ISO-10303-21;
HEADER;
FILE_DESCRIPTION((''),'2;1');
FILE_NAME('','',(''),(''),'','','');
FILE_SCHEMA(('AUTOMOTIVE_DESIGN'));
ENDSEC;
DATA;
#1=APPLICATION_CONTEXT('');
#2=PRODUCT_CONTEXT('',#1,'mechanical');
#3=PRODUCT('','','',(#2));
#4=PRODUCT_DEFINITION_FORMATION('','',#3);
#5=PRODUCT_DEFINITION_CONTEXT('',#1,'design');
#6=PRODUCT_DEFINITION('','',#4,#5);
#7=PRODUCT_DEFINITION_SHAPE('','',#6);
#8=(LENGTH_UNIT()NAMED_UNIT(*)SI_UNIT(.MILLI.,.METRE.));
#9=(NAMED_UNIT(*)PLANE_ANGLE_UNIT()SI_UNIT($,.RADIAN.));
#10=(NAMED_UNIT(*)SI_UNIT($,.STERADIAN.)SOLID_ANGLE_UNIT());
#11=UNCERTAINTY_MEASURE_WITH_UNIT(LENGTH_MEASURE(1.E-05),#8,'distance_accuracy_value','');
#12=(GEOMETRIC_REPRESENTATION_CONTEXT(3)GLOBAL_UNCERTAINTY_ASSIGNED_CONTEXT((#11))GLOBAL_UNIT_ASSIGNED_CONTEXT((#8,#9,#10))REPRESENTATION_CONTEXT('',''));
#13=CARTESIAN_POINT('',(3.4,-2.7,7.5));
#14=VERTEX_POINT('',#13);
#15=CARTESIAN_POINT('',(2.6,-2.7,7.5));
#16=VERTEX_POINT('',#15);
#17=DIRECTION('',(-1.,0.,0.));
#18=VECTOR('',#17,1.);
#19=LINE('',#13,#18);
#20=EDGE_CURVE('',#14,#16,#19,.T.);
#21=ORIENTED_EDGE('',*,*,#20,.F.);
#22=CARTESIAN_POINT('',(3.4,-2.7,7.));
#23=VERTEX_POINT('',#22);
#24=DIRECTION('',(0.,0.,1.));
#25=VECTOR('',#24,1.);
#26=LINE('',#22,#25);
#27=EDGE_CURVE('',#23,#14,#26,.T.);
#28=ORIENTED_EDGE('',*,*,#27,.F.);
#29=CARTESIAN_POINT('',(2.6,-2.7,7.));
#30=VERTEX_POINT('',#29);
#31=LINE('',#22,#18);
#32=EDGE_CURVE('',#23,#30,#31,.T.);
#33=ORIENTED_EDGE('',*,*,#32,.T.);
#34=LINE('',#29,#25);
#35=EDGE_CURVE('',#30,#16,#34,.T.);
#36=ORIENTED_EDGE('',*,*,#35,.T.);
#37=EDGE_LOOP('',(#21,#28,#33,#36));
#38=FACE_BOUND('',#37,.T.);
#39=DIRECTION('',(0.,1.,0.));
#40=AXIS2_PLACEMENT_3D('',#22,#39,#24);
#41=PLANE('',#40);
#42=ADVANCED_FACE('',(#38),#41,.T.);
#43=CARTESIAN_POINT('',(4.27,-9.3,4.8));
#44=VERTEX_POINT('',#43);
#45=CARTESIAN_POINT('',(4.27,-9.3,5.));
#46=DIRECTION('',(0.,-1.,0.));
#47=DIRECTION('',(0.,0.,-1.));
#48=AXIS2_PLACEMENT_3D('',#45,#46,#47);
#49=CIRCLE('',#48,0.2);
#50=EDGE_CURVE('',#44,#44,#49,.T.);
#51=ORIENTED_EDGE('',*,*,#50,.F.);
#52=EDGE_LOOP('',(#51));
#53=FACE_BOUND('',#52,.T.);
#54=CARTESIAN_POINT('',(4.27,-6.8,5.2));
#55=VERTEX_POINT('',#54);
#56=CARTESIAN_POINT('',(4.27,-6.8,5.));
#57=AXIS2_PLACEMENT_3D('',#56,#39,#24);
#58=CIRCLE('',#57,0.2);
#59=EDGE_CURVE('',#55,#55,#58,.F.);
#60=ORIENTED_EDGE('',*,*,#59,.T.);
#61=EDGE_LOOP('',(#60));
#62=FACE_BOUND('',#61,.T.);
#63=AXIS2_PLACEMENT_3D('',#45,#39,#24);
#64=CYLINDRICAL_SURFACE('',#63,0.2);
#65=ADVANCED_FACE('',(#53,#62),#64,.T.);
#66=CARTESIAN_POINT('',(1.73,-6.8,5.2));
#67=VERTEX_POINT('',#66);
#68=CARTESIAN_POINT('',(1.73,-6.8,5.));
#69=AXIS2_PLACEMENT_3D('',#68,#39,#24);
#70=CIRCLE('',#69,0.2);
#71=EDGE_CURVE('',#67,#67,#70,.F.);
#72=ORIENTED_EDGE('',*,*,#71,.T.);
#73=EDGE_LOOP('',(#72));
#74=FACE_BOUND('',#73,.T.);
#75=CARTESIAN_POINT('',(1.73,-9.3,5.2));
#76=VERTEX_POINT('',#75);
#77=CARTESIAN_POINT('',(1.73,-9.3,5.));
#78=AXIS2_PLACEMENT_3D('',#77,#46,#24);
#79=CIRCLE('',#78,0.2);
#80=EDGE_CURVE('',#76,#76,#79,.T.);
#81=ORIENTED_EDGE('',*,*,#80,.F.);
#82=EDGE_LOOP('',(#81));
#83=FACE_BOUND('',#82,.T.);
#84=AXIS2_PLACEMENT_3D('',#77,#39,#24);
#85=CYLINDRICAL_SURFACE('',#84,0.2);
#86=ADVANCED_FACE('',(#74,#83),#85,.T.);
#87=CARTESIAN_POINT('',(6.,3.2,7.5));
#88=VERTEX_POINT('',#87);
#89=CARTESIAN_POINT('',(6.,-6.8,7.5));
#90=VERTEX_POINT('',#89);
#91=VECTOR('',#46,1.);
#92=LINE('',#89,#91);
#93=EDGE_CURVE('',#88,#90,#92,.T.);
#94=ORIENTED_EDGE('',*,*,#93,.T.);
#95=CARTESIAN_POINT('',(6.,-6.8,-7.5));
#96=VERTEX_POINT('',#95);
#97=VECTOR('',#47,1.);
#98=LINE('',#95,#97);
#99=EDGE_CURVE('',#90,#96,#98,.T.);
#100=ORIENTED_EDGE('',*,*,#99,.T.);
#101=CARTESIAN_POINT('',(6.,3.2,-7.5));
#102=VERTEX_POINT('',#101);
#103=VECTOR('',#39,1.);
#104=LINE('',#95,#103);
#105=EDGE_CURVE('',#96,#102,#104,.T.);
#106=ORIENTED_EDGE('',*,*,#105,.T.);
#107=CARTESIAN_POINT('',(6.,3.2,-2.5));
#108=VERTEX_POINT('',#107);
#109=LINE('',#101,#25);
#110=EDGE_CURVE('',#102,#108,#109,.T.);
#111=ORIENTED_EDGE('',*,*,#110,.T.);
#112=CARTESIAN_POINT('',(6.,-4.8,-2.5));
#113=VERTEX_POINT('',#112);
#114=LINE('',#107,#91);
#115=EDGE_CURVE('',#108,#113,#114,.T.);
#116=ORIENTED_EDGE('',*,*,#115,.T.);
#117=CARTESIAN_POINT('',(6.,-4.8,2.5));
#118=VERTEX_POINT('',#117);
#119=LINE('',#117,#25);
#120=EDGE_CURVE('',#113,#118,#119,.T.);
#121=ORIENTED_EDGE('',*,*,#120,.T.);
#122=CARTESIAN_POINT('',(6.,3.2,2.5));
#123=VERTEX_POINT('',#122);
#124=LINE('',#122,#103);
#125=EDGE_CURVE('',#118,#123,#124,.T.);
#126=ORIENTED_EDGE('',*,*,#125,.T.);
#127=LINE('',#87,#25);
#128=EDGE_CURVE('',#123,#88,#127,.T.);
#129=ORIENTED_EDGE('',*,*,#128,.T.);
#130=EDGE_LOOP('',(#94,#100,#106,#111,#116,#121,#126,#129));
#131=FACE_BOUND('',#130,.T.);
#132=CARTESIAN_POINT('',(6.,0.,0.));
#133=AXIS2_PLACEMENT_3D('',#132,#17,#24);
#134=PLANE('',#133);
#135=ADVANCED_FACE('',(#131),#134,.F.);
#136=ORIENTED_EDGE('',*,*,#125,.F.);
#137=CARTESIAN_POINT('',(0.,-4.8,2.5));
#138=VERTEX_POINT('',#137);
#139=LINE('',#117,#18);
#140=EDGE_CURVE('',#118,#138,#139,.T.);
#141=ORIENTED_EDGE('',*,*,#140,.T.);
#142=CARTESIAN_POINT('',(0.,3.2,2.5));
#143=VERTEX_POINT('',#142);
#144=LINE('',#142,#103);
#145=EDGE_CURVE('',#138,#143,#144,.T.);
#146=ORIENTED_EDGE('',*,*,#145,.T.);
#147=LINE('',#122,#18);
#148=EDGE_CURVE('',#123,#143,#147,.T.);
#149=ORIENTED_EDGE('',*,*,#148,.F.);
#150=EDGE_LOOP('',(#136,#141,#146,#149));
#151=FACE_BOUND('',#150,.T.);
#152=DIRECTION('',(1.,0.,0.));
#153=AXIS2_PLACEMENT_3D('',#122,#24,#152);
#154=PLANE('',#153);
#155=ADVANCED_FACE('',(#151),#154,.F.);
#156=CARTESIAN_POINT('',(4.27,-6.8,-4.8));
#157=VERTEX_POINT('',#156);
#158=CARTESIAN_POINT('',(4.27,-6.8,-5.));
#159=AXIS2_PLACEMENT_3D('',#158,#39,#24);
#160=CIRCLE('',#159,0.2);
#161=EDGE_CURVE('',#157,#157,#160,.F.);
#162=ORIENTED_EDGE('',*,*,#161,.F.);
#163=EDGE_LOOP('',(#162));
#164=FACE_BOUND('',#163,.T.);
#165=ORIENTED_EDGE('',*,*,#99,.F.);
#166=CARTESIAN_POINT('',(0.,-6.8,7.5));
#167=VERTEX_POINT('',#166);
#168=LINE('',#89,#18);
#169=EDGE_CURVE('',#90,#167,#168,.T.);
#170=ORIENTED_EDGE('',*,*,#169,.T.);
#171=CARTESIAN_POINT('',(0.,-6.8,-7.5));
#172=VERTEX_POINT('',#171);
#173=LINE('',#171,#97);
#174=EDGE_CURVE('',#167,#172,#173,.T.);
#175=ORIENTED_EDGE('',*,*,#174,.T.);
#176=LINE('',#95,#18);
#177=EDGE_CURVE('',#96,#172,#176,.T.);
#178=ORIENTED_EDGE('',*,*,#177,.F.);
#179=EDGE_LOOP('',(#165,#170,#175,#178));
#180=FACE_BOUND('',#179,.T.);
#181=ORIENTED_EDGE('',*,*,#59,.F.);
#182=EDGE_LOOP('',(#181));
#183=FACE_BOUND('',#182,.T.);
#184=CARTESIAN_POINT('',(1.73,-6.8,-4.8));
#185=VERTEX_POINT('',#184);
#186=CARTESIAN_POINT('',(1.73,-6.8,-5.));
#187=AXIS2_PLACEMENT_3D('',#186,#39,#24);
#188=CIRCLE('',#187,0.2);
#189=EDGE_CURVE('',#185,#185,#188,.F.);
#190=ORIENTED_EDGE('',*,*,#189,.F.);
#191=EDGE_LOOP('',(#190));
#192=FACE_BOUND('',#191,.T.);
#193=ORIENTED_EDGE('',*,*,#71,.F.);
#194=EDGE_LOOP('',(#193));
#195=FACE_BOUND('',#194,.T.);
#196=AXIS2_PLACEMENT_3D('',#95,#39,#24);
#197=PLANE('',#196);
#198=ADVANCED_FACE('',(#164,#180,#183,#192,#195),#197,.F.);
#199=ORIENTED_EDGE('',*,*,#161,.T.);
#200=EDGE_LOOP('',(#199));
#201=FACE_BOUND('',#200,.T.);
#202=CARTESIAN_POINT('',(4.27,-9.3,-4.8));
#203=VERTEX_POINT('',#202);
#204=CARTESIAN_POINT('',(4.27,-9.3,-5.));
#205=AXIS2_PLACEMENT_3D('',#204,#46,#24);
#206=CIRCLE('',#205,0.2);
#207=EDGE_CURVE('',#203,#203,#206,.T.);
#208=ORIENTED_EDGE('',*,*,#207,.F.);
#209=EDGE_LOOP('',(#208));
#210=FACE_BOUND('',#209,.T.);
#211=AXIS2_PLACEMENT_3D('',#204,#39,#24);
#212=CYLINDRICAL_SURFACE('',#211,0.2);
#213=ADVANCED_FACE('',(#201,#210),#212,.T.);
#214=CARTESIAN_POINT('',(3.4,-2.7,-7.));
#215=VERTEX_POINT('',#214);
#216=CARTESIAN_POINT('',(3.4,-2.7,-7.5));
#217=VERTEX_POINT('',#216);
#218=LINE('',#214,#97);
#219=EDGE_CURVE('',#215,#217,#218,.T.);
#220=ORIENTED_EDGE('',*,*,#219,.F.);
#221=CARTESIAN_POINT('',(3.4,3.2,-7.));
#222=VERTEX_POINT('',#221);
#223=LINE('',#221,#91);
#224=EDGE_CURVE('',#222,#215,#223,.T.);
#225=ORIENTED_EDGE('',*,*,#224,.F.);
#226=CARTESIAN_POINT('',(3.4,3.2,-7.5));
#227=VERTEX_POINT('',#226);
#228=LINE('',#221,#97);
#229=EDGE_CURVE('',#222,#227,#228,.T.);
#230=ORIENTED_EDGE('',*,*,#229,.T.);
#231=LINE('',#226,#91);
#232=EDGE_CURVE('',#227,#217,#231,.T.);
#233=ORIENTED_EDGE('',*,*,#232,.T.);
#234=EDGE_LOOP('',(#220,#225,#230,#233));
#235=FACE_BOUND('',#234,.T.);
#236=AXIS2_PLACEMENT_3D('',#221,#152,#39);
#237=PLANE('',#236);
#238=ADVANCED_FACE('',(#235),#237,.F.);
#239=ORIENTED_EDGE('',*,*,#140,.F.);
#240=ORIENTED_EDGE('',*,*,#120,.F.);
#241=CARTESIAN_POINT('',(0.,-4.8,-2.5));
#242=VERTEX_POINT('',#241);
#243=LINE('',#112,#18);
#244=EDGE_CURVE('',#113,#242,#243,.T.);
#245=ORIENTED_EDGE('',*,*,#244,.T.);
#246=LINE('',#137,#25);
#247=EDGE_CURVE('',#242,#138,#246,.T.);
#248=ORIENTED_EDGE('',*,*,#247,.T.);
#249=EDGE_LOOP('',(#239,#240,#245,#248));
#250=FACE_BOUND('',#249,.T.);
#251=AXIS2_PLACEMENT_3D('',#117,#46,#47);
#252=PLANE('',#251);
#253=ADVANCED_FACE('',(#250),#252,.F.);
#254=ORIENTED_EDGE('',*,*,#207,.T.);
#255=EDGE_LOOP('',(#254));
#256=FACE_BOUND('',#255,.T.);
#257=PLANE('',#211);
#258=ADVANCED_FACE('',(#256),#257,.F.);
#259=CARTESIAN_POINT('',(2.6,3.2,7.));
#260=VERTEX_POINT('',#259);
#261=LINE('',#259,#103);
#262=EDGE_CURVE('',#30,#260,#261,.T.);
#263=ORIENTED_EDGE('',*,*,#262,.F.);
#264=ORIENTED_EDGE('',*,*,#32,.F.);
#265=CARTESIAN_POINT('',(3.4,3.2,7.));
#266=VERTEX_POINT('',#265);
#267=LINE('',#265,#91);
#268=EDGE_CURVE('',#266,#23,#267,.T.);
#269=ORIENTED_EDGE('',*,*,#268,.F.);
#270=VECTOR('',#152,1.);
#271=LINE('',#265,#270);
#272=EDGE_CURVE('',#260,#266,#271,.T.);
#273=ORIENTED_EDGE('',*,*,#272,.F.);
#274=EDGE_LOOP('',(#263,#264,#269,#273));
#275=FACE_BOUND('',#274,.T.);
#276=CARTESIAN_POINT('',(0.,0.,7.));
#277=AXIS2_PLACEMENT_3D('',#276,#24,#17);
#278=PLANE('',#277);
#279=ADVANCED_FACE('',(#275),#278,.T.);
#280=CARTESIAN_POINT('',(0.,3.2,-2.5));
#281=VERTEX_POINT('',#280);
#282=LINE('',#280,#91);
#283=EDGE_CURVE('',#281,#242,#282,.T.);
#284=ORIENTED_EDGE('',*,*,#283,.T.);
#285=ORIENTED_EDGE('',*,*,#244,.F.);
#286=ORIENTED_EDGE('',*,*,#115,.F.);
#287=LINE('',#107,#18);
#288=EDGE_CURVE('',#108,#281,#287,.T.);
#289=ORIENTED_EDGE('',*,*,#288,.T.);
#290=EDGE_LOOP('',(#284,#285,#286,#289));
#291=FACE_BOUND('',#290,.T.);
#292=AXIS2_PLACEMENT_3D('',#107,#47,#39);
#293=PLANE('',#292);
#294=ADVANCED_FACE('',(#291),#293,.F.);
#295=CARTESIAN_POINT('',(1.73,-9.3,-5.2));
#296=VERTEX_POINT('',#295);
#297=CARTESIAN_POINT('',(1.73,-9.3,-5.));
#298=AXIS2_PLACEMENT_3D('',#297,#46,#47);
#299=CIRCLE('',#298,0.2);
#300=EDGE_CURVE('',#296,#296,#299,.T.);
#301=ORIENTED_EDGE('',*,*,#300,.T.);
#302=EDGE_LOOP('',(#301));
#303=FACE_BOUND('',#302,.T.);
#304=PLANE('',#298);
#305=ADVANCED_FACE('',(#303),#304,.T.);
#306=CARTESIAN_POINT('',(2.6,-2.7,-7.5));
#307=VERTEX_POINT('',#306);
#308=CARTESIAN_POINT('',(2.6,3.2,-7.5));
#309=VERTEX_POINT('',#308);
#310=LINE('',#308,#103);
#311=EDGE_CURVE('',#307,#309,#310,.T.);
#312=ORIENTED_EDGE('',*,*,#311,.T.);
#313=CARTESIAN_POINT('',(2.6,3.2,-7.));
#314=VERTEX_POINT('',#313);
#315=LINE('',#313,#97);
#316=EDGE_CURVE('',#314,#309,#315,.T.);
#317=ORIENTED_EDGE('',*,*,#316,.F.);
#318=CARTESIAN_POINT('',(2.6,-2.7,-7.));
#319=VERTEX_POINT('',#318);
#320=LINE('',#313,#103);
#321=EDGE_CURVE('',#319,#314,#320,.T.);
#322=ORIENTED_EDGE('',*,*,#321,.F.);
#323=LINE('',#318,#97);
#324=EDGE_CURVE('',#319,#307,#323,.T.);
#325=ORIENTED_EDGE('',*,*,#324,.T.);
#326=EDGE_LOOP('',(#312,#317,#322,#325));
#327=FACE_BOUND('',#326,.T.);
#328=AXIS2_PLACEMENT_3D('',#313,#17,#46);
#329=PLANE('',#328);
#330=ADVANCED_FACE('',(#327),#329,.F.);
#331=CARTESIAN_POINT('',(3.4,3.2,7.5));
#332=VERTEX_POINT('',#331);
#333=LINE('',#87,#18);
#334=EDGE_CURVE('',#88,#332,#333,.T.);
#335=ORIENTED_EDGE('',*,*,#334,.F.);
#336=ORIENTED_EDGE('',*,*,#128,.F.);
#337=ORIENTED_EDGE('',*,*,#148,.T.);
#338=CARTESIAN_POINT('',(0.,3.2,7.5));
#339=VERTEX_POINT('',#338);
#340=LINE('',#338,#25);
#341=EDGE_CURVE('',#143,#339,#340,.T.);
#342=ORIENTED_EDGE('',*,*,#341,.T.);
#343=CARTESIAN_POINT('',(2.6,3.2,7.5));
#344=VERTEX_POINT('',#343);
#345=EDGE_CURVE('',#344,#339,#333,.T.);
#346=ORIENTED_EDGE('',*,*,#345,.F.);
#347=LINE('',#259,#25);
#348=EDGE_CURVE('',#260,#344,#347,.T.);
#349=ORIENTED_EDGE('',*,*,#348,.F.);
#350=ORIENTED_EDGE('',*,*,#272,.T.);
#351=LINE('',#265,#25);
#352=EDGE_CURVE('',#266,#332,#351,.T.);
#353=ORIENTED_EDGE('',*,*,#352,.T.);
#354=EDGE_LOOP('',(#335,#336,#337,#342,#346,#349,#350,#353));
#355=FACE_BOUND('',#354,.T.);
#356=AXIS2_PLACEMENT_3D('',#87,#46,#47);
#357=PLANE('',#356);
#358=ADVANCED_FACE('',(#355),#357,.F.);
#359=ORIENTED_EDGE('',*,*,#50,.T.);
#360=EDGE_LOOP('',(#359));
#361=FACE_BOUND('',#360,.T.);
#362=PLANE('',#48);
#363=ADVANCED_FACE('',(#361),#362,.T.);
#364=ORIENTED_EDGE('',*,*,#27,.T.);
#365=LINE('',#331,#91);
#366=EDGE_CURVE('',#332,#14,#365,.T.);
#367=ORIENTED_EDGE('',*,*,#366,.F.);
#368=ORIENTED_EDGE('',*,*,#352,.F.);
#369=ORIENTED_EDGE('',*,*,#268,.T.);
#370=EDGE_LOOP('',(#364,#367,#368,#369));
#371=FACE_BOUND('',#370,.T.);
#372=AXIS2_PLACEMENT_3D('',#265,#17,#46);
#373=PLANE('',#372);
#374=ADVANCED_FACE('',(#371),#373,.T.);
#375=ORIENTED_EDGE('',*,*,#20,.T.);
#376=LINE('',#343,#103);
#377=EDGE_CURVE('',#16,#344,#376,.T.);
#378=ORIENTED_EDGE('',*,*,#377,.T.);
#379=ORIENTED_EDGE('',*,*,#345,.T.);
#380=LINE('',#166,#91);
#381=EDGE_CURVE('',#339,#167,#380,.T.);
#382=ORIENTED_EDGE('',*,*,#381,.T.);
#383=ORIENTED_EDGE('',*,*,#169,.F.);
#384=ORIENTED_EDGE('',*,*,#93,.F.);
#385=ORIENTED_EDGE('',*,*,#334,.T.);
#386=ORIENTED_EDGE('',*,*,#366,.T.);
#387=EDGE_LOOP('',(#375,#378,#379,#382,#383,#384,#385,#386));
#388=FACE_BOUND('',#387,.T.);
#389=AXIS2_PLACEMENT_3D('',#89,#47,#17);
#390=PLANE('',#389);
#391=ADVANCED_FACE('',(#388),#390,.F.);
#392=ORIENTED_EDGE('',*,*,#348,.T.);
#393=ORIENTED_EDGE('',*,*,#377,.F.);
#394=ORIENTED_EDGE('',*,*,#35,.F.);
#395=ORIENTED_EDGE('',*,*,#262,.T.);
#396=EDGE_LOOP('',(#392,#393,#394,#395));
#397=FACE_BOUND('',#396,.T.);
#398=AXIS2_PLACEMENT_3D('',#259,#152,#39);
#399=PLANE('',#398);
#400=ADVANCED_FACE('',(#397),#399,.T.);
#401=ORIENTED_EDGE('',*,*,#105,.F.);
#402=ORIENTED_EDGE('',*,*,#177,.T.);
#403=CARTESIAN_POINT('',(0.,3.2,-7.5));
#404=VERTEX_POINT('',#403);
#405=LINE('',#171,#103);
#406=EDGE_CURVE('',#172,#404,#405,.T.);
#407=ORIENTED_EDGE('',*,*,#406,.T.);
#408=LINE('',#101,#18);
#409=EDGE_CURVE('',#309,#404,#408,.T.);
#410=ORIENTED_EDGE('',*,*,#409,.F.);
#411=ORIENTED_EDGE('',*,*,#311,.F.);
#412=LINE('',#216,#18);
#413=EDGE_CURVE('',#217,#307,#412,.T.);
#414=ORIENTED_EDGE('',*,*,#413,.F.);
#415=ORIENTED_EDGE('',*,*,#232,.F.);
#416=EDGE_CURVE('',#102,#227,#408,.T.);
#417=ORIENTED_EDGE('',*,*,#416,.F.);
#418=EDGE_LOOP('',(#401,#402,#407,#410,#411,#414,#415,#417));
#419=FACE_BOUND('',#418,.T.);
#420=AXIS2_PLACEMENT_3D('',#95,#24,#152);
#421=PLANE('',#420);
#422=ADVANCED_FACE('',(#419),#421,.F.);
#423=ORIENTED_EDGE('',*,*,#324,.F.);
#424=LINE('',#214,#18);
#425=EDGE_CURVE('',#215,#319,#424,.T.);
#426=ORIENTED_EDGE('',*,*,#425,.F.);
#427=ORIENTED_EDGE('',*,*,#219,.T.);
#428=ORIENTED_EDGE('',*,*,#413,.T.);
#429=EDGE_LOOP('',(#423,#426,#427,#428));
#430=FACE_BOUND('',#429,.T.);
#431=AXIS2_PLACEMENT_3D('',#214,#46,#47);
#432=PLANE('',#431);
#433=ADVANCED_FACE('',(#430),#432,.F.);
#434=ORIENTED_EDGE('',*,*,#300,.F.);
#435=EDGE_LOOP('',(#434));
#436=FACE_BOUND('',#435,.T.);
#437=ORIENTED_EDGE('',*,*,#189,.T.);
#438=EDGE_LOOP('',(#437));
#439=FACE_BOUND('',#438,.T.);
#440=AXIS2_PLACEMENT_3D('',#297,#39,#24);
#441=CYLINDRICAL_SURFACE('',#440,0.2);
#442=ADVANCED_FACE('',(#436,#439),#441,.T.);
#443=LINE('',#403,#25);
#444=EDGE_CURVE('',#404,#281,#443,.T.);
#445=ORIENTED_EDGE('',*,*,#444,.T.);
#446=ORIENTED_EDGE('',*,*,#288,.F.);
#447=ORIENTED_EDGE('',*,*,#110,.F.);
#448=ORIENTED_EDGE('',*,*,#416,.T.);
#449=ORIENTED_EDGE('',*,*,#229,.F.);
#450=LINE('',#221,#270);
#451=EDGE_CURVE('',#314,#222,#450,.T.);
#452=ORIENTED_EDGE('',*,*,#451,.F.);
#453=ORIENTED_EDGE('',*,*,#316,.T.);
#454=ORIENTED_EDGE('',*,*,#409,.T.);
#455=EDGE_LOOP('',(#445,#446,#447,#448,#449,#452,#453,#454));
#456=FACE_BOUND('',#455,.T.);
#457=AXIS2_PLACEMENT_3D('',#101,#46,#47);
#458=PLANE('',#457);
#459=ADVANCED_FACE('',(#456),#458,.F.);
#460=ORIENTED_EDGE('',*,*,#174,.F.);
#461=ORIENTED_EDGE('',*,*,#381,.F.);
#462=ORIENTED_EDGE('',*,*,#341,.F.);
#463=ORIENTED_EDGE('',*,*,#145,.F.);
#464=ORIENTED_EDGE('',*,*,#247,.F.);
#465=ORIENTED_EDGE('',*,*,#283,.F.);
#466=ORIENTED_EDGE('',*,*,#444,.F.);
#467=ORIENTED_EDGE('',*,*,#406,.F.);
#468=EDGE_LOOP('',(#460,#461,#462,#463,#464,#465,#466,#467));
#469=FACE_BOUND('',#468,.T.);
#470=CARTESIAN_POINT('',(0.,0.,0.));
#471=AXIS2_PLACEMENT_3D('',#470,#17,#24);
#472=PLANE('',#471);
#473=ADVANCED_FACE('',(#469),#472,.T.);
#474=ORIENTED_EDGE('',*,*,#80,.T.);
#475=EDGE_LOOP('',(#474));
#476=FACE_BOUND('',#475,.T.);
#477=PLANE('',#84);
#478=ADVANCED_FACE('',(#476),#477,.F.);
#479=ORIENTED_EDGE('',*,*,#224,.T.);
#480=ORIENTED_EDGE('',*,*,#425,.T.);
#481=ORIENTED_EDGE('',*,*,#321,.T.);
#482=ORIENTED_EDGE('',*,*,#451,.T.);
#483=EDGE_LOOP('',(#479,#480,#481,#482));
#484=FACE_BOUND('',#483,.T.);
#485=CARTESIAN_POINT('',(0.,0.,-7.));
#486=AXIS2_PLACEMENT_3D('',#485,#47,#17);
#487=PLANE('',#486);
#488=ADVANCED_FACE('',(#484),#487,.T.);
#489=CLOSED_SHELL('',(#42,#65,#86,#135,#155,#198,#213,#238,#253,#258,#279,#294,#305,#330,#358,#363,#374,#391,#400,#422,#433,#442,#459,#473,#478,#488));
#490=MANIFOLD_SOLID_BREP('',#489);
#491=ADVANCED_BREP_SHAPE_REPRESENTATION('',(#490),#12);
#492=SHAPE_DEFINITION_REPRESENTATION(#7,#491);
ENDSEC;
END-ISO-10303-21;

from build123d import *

# Parameters (mm, degrees)
BOSS_EXTRUDE1_DEPTH = 6
SKETCH2_W           = 0.8
SKETCH2_H           = 5.9
CUT_EXTRUDE1_DEPTH  = 0.5
SKETCH3_R           = 0.2
BOSS_EXTRUDE2_DEPTH = 2.5


with BuildPart() as part:
    # Sketch1 → Boss-Extrude1 (new body)
    with BuildSketch(Plane(origin=(0, 0, 0), x_dir=(0, 0, -1), z_dir=(1, 0, 0))):
        Polygon((-7.5, -6.8), (-7.5, 3.2), (-2.5, 3.2), (-2.5, -4.8), (2.5, -4.8), (2.5, 3.2), (7.5, 3.2), (7.5, -6.8), align=None)
    extrude(amount=BOSS_EXTRUDE1_DEPTH)

    # Sketch2 → Cut-Extrude1 (cut)
    with BuildSketch(Plane(origin=(0, 0, -7.5), x_dir=(-1, 0, 0), z_dir=(0, 0, -1))):
        with Locations((-3, 0.25)):
            Rectangle(SKETCH2_W, SKETCH2_H)
    cut_extrude1 = extrude(amount=-CUT_EXTRUDE1_DEPTH, mode=Mode.SUBTRACT)

    # Mirror1: Cut-Extrude1 across plane
    add(cut_extrude1.mirror(Plane.XY), mode=Mode.SUBTRACT)

    # Sketch3 → Boss-Extrude2 (add)
    with BuildSketch(Plane.XZ.offset(6.8)):
        with Locations((1.73, -5)):
            Circle(SKETCH3_R)
        with Locations((4.27, -5)):
            Circle(SKETCH3_R)
        with Locations((4.27, 5)):
            Circle(SKETCH3_R)
        with Locations((1.73, 5)):
            Circle(SKETCH3_R)
    extrude(amount=BOSS_EXTRUDE2_DEPTH)


solid = part.part
